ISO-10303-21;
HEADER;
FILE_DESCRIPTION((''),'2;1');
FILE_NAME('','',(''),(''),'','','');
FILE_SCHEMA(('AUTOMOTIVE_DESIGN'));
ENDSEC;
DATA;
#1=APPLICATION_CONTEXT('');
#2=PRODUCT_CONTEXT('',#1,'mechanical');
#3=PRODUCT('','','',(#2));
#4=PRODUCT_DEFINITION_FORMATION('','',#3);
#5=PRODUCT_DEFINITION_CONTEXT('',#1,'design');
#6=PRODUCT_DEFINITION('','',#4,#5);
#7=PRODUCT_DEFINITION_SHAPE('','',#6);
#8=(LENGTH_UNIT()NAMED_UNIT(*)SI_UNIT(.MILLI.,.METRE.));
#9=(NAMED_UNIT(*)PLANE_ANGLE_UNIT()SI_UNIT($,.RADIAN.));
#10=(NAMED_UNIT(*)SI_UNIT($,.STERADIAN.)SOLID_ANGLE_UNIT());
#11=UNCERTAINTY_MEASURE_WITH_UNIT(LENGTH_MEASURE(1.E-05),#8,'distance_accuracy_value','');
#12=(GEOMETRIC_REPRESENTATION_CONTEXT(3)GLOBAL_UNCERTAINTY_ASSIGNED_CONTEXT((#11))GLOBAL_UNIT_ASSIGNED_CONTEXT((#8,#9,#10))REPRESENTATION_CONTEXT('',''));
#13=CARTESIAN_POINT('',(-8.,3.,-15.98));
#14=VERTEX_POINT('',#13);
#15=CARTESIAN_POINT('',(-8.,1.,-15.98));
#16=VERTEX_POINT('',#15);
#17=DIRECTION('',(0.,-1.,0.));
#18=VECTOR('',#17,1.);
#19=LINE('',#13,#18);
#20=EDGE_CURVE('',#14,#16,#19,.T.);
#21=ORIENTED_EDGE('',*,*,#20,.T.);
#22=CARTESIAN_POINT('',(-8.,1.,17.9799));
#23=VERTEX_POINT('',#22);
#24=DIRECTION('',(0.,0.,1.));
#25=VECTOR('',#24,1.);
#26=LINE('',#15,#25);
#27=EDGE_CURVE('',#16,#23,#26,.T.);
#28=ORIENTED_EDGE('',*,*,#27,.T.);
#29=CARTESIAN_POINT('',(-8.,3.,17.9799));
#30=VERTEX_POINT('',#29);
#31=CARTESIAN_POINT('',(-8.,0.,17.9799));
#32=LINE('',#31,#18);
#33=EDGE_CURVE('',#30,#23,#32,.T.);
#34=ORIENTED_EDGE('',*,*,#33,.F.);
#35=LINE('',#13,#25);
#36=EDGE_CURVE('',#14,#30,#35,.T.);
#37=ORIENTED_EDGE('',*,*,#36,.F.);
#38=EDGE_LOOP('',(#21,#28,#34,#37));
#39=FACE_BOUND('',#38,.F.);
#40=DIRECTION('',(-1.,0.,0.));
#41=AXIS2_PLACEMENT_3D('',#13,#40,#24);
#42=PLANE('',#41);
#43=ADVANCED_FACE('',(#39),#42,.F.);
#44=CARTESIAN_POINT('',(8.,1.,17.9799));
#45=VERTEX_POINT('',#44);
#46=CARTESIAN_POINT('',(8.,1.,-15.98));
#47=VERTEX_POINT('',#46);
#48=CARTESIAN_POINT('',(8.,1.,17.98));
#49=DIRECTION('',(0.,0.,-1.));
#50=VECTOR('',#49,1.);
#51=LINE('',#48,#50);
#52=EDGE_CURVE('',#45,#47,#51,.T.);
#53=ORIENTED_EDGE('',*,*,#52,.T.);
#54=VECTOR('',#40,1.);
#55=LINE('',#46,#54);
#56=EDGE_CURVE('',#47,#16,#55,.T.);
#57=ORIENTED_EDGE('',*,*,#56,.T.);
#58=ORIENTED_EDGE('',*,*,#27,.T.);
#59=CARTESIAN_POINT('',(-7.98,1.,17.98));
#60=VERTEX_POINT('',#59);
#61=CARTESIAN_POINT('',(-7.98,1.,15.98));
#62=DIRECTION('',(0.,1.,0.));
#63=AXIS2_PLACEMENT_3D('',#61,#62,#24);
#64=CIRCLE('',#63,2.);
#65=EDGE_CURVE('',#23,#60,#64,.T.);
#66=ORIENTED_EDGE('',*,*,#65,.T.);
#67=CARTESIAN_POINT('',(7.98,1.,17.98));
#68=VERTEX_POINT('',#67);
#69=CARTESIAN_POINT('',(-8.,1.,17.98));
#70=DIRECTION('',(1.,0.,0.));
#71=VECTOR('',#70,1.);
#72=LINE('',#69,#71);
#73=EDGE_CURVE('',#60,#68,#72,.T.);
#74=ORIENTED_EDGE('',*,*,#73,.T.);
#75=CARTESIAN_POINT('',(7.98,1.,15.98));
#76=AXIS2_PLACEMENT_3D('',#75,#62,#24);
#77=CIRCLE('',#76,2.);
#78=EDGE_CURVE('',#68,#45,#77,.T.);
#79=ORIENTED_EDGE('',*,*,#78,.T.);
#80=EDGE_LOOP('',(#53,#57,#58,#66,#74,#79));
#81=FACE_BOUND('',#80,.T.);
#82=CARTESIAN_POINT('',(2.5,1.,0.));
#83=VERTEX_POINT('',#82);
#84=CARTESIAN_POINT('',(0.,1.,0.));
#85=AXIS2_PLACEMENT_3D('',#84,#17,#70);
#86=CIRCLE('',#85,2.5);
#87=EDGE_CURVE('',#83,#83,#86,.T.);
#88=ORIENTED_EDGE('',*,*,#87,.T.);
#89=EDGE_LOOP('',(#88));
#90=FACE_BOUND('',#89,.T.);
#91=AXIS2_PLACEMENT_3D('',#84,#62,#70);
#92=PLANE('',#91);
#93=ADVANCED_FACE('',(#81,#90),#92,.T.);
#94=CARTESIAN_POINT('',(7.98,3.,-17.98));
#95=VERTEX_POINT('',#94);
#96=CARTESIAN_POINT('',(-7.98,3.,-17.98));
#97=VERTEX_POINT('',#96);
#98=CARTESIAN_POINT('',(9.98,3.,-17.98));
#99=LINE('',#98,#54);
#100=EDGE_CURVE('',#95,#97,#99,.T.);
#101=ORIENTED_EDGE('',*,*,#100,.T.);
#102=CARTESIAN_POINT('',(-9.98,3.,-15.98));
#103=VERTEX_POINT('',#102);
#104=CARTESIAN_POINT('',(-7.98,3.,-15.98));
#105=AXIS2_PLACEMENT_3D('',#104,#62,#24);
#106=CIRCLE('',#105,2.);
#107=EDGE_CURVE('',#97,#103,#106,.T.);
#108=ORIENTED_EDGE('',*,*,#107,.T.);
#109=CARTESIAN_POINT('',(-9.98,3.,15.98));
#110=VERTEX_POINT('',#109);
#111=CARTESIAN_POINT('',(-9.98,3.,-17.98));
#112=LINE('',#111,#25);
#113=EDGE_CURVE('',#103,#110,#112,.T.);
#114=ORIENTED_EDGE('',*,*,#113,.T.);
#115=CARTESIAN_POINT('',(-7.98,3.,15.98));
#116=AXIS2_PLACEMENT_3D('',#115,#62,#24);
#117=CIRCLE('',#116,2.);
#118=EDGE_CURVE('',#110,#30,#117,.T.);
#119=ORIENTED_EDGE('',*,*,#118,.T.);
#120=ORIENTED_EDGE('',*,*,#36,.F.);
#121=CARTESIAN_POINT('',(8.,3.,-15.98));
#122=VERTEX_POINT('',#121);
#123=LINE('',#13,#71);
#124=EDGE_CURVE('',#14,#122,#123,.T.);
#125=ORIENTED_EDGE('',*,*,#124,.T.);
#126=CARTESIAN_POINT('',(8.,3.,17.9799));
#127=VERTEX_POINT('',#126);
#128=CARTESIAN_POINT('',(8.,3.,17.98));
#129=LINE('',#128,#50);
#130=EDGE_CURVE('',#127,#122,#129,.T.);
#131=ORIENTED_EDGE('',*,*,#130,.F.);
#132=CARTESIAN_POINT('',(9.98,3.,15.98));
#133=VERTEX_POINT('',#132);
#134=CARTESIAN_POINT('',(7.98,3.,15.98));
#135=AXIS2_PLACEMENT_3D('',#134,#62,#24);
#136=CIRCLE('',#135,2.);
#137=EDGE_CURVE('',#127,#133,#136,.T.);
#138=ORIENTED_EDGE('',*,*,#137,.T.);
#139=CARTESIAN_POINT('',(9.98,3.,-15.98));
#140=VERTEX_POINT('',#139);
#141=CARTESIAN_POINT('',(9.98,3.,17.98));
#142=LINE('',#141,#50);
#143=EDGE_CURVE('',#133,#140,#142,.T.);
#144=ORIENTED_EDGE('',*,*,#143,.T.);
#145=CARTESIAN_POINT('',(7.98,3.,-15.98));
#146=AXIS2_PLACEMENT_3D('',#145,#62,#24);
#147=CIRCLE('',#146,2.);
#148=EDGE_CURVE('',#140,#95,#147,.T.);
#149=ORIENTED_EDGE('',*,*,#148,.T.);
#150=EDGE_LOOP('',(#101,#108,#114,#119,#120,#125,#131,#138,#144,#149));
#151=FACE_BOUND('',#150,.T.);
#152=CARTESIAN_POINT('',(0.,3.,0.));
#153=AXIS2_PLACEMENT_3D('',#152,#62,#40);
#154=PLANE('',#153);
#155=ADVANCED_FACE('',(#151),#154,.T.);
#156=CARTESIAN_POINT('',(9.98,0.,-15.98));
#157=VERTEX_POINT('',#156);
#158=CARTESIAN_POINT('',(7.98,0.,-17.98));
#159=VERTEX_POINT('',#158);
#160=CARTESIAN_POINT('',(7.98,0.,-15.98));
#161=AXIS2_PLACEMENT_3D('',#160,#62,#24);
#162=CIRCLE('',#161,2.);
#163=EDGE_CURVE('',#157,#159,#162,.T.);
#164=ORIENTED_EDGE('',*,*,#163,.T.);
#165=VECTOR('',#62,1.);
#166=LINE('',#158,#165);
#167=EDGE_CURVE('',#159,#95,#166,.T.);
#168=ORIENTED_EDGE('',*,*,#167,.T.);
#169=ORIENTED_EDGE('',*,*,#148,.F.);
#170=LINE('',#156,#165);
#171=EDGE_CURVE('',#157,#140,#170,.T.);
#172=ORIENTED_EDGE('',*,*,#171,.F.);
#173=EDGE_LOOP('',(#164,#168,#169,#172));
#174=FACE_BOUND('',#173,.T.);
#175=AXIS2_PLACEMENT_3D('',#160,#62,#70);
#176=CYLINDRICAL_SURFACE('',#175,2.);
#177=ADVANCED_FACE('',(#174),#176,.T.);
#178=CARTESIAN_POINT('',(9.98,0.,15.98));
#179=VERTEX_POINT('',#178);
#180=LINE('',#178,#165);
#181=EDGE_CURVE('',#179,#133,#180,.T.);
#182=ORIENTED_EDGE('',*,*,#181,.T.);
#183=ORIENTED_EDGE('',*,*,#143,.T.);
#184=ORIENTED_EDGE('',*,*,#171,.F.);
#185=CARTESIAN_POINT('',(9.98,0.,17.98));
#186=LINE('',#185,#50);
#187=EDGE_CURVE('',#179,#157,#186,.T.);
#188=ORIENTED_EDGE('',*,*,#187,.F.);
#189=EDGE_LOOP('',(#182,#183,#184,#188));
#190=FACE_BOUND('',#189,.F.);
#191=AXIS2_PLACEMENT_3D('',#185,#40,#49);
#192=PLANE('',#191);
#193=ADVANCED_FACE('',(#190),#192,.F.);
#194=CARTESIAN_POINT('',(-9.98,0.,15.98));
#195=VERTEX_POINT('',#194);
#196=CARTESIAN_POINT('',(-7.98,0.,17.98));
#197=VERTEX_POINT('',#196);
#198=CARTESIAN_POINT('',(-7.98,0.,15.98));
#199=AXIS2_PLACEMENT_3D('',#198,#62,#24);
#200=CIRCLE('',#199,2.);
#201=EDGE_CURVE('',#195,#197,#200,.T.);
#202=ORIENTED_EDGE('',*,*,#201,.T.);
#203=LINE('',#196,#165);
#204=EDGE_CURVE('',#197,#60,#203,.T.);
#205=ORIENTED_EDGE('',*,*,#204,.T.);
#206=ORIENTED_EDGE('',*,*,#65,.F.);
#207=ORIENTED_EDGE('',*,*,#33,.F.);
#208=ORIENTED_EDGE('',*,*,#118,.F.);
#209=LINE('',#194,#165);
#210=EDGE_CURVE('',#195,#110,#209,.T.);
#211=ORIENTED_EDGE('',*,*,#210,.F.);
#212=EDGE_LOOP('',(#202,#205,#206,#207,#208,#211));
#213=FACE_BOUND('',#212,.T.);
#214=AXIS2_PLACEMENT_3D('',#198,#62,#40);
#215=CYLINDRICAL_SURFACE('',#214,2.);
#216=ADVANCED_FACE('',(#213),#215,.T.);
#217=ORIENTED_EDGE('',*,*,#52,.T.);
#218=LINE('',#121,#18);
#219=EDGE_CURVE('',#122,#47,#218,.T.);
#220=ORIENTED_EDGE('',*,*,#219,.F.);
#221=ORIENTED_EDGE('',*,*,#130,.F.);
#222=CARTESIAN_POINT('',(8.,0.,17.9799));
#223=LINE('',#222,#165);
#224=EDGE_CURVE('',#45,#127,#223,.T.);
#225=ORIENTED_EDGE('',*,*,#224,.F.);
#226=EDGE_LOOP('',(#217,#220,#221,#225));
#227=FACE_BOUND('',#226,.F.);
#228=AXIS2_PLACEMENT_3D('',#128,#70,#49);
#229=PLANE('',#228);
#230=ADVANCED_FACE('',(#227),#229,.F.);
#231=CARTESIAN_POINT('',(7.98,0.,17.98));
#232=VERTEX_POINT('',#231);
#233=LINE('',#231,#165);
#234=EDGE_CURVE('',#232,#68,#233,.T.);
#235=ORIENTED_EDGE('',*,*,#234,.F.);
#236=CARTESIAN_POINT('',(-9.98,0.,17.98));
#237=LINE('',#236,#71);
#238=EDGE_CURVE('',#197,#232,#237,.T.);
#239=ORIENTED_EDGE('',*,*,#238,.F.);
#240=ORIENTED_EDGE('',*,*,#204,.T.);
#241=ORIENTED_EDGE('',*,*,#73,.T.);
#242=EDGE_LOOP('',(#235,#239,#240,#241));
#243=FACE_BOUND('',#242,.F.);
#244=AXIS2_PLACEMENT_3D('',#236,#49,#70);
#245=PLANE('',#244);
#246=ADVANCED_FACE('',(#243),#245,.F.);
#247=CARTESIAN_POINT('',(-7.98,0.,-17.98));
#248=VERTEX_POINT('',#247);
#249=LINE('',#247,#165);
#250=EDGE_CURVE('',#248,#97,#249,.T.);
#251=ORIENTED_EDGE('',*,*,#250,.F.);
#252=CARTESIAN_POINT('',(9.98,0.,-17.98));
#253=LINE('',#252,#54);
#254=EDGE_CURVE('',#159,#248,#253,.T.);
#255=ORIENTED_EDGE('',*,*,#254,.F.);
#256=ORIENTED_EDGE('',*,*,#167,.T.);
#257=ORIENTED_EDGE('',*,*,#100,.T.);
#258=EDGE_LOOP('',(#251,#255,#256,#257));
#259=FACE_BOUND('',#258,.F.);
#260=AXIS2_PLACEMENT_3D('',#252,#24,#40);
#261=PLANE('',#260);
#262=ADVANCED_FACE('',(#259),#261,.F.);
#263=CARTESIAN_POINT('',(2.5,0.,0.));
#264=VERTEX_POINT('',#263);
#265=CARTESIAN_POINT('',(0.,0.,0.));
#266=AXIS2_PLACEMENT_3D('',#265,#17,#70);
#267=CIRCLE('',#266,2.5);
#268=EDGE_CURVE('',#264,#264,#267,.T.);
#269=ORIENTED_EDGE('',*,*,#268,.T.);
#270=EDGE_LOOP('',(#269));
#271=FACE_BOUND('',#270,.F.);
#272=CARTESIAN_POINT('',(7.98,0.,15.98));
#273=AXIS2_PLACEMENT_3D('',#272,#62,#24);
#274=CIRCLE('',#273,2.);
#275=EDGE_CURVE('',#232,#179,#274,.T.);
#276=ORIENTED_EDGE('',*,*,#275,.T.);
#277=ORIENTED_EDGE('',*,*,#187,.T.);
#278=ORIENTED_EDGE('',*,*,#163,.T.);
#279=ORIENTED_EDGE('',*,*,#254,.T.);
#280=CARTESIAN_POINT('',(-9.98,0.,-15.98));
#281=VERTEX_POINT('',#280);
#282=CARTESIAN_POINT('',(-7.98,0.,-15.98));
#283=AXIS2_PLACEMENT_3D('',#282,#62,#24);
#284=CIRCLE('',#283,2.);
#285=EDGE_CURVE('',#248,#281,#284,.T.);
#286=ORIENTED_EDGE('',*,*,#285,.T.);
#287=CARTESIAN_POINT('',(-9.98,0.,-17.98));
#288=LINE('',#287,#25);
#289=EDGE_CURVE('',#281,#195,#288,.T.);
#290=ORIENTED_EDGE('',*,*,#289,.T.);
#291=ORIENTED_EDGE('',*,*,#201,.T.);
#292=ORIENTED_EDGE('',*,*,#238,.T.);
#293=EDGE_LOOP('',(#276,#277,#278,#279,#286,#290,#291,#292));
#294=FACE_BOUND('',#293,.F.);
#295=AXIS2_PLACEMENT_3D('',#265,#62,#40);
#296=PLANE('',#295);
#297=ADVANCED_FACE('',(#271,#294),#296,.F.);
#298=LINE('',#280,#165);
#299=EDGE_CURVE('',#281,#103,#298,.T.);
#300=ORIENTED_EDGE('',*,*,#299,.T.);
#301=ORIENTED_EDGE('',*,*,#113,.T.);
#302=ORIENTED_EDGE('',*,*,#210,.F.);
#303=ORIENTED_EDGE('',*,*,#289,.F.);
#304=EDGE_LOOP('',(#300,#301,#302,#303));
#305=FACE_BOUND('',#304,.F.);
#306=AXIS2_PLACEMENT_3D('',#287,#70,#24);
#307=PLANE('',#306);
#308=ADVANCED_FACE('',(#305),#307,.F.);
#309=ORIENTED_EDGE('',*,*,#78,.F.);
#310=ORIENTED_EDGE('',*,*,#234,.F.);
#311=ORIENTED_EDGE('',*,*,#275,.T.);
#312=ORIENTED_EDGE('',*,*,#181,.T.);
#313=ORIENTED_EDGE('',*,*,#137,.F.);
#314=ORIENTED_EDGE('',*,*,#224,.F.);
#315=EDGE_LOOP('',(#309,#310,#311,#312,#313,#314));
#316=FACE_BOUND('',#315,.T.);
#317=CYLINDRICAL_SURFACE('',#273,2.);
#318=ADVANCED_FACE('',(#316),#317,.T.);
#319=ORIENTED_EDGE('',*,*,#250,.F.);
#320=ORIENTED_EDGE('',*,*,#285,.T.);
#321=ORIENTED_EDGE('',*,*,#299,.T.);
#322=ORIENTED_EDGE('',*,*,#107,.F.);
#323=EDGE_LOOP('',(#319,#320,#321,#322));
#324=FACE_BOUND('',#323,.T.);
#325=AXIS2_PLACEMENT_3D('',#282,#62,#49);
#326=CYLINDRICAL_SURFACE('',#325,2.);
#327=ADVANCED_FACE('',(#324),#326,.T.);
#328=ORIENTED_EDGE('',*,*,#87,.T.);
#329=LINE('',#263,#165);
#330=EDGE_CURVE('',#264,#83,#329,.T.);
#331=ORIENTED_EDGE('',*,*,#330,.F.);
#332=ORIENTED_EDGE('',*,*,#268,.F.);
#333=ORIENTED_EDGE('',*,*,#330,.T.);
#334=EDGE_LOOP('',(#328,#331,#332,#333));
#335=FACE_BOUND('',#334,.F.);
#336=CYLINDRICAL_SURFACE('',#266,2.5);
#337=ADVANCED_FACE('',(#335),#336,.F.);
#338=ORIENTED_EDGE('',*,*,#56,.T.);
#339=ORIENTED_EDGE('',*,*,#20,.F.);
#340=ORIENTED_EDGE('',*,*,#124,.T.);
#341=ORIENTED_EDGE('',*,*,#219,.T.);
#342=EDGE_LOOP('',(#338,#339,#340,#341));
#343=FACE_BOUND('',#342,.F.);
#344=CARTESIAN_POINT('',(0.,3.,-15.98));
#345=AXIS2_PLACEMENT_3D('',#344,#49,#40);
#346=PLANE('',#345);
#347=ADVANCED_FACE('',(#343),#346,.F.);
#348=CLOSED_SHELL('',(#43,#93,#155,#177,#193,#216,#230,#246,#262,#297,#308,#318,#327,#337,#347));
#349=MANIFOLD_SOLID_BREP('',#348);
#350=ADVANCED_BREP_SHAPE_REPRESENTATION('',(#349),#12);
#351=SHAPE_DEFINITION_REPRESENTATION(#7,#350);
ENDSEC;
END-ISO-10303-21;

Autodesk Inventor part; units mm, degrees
ref_plane "YZ Plane" through (0, 0, 0) normal (1, 0, 0) x (0, 1, 0)
ref_plane "XZ Plane" through (0, 0, 0) normal (0, 1, 0) x (-1, 0, 0)
ref_plane "XY Plane" through (0, 0, 0) normal (0, 0, 1) x (1, 0, 0)
sketch "Sketch1" plane through (0, 0, 0) normal (0, 1, 0) x (-1, 0, 0)
  line L0 (9.98, 17.98) -> (-9.98, 17.98)
  line L1 (-9.98, 17.98) -> (-9.98, -17.98)
  line L2 (-9.98, -17.98) -> (9.98, -17.98)
  line L3 (9.98, -17.98) -> (9.98, 17.98)
  line L4 (9.98, 17.98) -> (-9.98, -17.98) construction
  line L5 (-9.98, 17.98) -> (9.98, -17.98) construction
  point P0 (0, 0)
  dimension "d0" = 33.96
  dimension "d1" = 19.96
extrude "arm-wall" add sketch "Sketch1" along normal blind 3
sketch "Sketch2" plane through (0, 3, 0) normal (0, 1, 0) x (1, 0, 0)
  line L0 (-8, -17.98) -> (8, -17.98)
  line L1 (8, -17.98) -> (8, 15.98)
  line L2 (8, 15.98) -> (-8, 15.98)
  line L3 (-8, 15.98) -> (-8, -17.98)
  line L4 (-8, -17.98) -> (8, 15.98) construction
  line L5 (8, -17.98) -> (-8, 15.98) construction
  line L6 (0, 25.172) -> (0, -25.172) projected
  line L7 (9.98, 17.98) -> (-9.98, 17.98) projected
  line L8 (-9.98, -17.98) -> (9.98, -17.98) projected
  point P0 (0, 0)
  point P1 (0, -1)
  point P2 (0, -1)
  dimension "d4" = 16
  dimension "d5" = 1
extrude "slot" cut sketch "Sketch2" against normal blind 2
fillet "Fillet1" radius 2 1 edges at (-9.98, 1.5, 17.98)
fillet "Fillet2" radius 2 1 edges at (9.98, 1.5, 17.98)
fillet "Fillet3" radius 2 1 edges at (9.98, 1.5, -17.98)
fillet "Fillet4" radius 2 1 edges at (-9.98, 1.5, -17.98)
sketch "Sketch3" plane through (0, 0, 0) normal (0, -1, 0) x (1, 0, 0)
  circle A0 centre (0, 0) radius 2.5
  dimension "d12" = 5
extrude "Extrusion3" cut sketch "Sketch3" against normal up to next
equation "\"d2\" = armthick"
equation "\"d4\" = adapterh"
equation "\"d5\" = -0.5 * adapterw + 0.5 * armw"
equation "\"d6\" = armslotd"
equation "\"d8\" = cornerrad"
equation "\"d9\" = cornerrad"
equation "\"d10\" = cornerrad"
equation "\"d11\" = cornerrad"
equation "\"printer3dtolerance\" = 0.1"
equation "\"wallw\" = 42"
equation "\"wallh\" = 44"
equation "\"cornerrad\" = 2"
equation "\"baseextra\" = 2"
equation "\"wall1_thick\" = 8"
equation "\"wall2_thick\" = 6.4"
equation "\"wall3_thick\" = 4"
equation "\"wall1slot\" = 8.1"
equation "\"wall2slot\" = 6.5"
equation "\"wall3slot\" = 4.1"
equation "\"gap2\" = 28"
equation "\"baseh\" = 79"
equation "\"basew\" = 44"
equation "\"base_thick\" = 6"
equation "\"base_slots_depth\" = 4"
equation "\"servobigcircledia\" = 11.6"
equation "\"servosmallcircledia\" = 5.9"
equation "\"servo9gw\" = 22.8"
equation "\"servomounth\" = 4"
equation "\"servomountsquare\" = 4"
equation "\"servopolygonr\" = 6.1"
equation "\"servopolygonl\" = 5.9"
equation "\"distancefrombottom\" = 34"
equation "\"distancefromleft\" = 22"
equation "\"wall3slotd\" = 2"
equation "\"wall3slotw\" = 36"
equation "\"adapterh\" = 16"
equation "\"adapterw\" = 32"
equation "\"armw\" = 34"
equation "\"armslotd\" = 2"
equation "\"armthick\" = 3"
equation "\"fanhb\" = 11"
equation "\"fanhs\" = 9.6"
equation "\"adapterwallslotd\" = 2"
equation "\"adapterwallthick\" = 6"
equation "\"hornscrewholed\" = 2"
equation "\"hornthick\" = 1.5"
equation "\"armhornthick\" = 3"
equation "\"hornscrewheadd\" = 3"
properties part number "slot-wall"
